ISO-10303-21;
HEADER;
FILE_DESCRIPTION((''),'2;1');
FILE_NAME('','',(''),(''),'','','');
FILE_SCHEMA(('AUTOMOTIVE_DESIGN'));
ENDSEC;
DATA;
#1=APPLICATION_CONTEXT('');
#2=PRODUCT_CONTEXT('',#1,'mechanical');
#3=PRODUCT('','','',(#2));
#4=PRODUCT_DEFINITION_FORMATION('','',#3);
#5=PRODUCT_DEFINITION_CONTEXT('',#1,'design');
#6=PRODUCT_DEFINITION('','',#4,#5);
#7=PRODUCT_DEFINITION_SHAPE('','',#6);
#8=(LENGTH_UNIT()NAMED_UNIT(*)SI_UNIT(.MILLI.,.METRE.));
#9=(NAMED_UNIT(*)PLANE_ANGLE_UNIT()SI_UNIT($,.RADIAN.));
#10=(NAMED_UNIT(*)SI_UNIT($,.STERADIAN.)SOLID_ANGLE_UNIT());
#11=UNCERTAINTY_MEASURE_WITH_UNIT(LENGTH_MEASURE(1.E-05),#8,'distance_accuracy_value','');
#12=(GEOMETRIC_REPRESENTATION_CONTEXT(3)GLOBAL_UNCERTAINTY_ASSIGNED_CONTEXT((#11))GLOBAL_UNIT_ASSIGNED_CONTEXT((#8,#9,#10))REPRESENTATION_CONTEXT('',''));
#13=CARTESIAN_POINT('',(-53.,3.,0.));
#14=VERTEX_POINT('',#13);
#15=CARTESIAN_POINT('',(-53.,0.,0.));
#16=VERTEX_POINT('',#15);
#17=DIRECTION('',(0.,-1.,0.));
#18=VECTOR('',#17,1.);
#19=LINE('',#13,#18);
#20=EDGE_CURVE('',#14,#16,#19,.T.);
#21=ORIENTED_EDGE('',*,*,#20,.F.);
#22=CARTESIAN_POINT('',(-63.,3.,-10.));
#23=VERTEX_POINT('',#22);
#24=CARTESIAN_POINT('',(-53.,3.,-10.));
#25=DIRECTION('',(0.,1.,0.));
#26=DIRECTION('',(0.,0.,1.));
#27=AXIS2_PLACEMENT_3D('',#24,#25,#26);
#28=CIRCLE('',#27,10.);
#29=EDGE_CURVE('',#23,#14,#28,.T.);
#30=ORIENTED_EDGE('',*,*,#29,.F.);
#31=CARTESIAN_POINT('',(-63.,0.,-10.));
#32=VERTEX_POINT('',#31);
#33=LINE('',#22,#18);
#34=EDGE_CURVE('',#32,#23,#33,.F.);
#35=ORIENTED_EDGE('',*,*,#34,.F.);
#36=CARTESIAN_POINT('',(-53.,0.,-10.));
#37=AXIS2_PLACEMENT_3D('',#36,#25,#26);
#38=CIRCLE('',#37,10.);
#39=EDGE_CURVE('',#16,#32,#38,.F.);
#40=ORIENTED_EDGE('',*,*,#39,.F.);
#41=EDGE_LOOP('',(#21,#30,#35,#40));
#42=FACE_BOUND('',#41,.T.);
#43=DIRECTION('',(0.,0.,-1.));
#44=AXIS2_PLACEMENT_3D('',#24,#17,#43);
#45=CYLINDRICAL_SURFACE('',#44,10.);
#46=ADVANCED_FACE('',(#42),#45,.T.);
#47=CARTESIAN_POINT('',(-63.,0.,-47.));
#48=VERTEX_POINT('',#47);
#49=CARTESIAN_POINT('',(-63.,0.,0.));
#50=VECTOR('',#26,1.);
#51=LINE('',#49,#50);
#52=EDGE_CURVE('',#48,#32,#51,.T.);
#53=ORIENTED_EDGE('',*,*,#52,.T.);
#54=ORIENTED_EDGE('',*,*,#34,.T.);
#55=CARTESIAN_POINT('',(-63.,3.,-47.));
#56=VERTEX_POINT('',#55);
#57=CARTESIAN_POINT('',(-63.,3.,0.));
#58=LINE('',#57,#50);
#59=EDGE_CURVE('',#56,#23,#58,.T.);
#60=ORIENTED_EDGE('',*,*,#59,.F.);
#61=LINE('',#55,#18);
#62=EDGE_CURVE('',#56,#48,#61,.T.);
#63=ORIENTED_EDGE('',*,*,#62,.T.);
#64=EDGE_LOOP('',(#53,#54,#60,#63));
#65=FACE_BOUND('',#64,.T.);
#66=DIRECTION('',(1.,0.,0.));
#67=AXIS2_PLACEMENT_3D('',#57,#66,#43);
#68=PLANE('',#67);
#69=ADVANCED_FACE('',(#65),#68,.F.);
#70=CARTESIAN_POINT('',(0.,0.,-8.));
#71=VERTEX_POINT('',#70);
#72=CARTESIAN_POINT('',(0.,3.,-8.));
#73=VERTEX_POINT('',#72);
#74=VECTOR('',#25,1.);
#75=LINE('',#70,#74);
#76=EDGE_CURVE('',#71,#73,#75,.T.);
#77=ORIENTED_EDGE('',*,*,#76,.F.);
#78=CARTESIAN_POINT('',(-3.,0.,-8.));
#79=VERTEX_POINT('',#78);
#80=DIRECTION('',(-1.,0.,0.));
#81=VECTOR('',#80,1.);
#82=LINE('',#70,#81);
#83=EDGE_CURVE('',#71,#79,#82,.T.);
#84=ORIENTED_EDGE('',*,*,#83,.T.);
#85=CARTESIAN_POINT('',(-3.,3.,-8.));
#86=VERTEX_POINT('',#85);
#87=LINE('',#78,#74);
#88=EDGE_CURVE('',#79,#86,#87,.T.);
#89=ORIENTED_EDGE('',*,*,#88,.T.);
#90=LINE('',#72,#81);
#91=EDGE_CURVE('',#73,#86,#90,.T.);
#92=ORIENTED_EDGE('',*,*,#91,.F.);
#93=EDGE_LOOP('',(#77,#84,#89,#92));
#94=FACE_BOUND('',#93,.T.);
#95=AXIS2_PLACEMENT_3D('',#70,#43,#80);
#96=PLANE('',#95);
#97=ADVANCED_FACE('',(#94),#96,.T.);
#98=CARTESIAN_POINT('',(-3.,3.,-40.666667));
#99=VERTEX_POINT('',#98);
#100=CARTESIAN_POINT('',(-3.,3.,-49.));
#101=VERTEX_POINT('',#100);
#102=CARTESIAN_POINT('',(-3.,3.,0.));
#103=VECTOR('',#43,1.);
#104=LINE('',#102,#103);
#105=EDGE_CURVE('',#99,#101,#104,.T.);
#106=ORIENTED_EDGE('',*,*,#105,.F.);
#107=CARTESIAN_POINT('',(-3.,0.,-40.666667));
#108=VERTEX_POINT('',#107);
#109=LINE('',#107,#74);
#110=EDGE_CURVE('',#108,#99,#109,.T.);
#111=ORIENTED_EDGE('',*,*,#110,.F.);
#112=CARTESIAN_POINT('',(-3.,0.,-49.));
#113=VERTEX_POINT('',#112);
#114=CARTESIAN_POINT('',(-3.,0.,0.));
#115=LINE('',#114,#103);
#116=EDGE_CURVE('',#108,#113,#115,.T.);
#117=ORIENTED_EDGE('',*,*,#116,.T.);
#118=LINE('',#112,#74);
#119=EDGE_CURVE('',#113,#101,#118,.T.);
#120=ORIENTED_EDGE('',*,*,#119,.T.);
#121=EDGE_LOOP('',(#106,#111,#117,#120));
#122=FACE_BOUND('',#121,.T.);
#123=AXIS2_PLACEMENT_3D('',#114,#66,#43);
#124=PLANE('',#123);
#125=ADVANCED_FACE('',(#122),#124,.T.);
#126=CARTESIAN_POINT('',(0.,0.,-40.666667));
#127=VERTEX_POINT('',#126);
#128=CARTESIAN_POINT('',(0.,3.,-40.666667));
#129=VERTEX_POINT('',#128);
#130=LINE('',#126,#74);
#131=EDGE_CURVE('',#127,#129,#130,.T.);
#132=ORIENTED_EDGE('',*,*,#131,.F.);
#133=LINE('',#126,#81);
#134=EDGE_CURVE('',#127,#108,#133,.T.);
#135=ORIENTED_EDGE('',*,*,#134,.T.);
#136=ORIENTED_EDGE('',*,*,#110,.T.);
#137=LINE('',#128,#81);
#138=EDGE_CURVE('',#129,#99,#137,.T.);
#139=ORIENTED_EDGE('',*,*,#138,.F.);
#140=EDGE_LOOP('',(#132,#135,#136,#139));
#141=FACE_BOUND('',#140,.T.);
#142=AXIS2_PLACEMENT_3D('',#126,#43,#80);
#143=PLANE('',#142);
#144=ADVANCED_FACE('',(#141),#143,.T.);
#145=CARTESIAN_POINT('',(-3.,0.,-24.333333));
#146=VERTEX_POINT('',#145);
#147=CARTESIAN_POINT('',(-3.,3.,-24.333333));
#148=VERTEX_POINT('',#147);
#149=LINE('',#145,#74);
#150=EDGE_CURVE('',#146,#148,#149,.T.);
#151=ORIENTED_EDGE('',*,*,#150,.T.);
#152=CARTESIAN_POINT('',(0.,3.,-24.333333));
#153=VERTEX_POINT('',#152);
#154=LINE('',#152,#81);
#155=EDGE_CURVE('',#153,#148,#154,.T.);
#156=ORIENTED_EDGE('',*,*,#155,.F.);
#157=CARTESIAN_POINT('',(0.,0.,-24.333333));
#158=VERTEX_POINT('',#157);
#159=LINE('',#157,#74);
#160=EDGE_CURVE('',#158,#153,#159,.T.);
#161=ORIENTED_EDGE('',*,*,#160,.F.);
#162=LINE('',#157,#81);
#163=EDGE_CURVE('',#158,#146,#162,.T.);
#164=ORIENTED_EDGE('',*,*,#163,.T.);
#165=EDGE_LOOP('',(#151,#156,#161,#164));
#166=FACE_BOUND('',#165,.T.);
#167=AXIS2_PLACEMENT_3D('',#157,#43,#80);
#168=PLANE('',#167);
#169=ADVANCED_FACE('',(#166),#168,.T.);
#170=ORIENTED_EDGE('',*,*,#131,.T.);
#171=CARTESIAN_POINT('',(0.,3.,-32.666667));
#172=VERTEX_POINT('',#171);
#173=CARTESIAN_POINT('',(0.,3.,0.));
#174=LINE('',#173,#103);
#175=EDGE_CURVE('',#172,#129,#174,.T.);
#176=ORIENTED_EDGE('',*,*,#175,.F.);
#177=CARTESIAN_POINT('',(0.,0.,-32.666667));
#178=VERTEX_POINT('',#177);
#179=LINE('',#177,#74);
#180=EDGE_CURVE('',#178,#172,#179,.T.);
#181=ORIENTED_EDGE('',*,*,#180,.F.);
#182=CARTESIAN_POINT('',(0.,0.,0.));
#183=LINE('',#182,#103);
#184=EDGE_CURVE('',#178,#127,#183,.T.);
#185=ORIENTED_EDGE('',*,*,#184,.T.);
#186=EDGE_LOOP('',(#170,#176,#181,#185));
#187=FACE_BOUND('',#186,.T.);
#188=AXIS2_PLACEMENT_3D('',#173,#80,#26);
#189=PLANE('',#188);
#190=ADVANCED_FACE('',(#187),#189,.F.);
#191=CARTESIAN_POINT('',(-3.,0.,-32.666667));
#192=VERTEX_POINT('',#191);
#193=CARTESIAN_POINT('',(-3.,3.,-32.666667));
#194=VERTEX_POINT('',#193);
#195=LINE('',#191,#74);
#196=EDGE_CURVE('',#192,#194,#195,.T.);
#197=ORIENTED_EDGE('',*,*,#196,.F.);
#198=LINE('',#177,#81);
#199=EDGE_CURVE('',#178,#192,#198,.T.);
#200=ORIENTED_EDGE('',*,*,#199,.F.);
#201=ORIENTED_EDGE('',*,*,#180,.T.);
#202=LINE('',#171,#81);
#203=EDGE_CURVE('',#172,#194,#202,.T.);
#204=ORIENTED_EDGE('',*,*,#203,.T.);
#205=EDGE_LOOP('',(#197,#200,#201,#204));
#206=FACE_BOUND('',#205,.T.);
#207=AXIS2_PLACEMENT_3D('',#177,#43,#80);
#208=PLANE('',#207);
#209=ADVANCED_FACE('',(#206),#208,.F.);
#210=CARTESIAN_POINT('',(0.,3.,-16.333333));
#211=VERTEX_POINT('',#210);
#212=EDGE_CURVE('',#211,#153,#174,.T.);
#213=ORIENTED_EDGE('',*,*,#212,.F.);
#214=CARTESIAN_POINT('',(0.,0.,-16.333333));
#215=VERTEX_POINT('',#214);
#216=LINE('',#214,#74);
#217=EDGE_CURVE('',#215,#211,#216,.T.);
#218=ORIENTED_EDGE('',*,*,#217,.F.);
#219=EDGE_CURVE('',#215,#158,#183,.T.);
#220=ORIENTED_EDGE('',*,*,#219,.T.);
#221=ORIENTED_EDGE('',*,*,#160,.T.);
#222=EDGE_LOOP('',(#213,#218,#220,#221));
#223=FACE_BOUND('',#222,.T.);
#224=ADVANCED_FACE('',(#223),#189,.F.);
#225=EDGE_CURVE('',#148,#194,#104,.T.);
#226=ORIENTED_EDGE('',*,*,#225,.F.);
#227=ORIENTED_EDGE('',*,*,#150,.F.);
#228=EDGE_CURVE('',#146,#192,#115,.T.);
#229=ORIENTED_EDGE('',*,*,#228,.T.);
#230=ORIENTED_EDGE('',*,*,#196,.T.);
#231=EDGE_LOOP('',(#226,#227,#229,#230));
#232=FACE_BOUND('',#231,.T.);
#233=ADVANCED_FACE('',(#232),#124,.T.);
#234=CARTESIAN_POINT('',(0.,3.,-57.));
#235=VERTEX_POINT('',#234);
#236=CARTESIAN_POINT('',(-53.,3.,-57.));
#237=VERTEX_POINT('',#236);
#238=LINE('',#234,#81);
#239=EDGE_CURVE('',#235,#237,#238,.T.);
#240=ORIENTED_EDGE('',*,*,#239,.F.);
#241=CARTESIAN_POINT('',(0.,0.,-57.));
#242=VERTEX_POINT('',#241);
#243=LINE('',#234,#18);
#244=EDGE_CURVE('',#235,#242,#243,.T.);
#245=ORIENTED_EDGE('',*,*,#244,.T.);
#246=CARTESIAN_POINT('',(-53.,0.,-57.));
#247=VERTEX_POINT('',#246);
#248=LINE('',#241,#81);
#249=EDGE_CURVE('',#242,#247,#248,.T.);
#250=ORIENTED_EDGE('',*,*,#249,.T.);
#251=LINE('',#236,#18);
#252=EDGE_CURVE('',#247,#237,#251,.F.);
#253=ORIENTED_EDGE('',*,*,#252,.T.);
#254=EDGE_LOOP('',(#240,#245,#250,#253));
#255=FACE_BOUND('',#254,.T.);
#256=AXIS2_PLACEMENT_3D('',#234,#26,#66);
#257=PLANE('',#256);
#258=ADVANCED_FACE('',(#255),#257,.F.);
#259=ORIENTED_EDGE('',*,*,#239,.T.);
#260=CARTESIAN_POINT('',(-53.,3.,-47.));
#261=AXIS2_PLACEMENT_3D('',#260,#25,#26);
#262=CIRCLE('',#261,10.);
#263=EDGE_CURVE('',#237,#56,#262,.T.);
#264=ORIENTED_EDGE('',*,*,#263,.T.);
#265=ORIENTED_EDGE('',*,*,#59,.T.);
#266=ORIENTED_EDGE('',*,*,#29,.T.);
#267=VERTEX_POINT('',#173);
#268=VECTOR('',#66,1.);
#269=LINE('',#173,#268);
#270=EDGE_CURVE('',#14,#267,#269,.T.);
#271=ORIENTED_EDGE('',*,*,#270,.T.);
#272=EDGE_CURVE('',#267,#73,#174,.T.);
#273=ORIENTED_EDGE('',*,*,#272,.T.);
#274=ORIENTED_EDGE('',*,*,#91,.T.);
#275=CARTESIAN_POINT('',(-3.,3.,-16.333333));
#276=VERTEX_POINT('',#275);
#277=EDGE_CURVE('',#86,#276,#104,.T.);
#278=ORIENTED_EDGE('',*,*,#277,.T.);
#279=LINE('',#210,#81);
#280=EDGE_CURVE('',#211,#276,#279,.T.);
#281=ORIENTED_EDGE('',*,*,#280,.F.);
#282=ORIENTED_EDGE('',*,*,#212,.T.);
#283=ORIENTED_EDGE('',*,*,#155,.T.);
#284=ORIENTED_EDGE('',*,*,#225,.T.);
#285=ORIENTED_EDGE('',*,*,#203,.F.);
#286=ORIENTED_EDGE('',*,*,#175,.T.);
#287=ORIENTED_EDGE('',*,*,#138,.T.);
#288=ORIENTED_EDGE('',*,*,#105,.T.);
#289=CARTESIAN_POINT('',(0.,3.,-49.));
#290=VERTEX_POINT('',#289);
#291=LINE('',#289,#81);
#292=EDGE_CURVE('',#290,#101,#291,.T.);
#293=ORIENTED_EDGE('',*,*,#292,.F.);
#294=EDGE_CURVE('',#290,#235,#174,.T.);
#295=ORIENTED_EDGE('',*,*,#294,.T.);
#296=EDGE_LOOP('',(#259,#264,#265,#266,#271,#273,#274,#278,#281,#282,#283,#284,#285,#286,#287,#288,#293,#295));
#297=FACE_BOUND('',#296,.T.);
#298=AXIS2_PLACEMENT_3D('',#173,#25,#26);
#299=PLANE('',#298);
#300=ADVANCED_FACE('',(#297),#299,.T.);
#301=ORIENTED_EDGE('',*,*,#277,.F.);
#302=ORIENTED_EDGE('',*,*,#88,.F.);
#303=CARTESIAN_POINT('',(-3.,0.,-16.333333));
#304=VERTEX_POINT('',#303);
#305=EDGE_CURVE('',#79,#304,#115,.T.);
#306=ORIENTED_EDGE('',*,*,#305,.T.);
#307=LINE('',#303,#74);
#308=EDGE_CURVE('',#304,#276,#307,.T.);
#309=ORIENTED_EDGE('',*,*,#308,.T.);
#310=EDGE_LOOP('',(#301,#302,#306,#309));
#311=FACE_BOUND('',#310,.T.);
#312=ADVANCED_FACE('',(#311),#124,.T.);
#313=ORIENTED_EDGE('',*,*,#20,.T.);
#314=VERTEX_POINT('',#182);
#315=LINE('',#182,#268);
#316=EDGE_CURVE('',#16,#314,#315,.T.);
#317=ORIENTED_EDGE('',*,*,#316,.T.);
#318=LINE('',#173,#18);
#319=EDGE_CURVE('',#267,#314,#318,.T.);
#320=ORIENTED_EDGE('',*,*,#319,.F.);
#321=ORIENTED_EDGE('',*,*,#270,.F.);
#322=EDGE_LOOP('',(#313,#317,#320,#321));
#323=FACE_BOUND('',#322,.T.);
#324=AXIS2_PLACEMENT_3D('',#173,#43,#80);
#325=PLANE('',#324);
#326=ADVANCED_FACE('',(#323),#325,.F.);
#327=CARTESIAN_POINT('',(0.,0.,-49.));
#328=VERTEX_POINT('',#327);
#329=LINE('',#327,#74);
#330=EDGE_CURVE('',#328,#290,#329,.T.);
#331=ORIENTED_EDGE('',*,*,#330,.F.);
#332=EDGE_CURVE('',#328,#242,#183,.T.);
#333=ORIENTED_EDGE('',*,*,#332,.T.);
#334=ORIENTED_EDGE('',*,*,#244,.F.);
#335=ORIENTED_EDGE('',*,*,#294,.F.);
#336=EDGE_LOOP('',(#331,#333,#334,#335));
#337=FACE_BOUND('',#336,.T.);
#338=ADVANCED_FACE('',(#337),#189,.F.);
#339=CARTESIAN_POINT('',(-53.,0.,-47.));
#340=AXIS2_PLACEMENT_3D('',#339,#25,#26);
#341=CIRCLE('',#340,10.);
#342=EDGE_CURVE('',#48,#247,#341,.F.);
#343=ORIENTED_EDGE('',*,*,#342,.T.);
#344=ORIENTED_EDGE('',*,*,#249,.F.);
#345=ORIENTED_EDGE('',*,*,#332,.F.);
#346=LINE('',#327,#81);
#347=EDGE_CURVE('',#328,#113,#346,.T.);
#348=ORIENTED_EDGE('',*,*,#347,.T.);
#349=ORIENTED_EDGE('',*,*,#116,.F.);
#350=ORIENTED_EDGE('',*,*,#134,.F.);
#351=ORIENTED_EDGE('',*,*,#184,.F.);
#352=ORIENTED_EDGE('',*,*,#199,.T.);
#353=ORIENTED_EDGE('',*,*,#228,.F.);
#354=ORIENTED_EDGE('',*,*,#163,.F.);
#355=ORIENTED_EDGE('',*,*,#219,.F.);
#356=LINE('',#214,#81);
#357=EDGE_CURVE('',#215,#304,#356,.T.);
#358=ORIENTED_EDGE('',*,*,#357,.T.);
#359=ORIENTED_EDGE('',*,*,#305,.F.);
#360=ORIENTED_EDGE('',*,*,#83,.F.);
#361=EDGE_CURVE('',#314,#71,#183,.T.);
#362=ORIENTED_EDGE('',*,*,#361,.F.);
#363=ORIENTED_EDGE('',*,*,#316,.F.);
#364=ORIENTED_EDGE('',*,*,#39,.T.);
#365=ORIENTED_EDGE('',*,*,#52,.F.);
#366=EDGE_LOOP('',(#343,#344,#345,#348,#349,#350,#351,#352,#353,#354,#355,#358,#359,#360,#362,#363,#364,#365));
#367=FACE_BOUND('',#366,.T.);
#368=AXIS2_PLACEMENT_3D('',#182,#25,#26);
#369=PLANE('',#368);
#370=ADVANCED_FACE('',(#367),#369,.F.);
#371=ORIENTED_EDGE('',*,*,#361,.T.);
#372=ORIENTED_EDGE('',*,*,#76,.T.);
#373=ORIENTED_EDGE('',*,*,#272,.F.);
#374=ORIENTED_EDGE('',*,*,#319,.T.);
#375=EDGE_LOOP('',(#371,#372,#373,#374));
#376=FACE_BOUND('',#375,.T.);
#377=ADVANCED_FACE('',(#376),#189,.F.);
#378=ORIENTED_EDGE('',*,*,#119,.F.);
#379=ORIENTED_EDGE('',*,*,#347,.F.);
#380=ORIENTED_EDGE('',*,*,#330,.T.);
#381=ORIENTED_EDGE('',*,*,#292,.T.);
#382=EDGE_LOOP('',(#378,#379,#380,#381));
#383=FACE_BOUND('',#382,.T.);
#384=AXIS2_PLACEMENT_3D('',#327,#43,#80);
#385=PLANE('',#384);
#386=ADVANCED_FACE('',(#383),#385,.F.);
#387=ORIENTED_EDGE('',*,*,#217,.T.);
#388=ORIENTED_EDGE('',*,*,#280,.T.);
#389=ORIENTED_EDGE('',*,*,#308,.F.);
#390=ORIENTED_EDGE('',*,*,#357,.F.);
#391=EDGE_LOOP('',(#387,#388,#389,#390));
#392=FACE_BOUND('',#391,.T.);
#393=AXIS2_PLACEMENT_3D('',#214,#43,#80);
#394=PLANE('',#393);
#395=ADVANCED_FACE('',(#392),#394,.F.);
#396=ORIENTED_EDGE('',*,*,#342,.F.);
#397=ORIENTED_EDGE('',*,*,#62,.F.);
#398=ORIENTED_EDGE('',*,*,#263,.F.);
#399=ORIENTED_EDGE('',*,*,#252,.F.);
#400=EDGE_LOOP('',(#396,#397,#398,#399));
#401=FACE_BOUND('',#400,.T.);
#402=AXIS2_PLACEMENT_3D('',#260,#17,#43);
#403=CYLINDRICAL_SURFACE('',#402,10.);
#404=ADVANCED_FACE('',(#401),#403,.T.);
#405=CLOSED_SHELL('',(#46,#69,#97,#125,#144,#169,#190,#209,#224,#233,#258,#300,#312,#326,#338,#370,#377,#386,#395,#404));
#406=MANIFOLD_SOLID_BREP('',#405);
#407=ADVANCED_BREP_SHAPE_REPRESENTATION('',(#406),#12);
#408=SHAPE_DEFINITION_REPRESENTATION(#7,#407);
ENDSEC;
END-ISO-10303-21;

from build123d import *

# Parameters (mm, degrees)
ESQUISSE1_W             = 63
ESQUISSE1_H             = 57
BOSS_EXTRU_1_DEPTH      = 3
ESQUISSE2_W             = 3
ESQUISSE2_H             = 8.333333333
ESQUISSE2_H_2           = 8.333333334
ENL_V_MAT_EXTRU_1_DEPTH = 3
CONG_1_R                = 10


with BuildPart() as part:
    # Esquisse1 → Boss.-Extru.1 (new body)
    with BuildSketch(Plane(origin=(0, 0, 0), x_dir=(1, 0, 0), z_dir=(0, 1, 0))):
        with Locations((-31.5, 28.5)):
            Rectangle(ESQUISSE1_W, ESQUISSE1_H)
    extrude(amount=BOSS_EXTRU_1_DEPTH)

    # Esquisse2 → Enlèv. mat.-Extru.1 (cut)
    with BuildSketch(Plane(origin=(0, 3, 0), x_dir=(1, 0, 0), z_dir=(0, 1, 0))):
        with Locations((-1.5, 12.166666667)):
            Rectangle(ESQUISSE2_W, ESQUISSE2_H)
        with Locations((-1.5, 28.5)):
            Rectangle(ESQUISSE2_W, ESQUISSE2_H_2)
        with Locations((-1.5, 44.833333334)):
            Rectangle(ESQUISSE2_W, ESQUISSE2_H)
    extrude(amount=-ENL_V_MAT_EXTRU_1_DEPTH, mode=Mode.SUBTRACT)

    # Congé1
    cong_1_edges = [part.edges().sort_by_distance(p)[0] for p in [
        (-63, 1.5, 0),
        (-63, 1.5, -57),
    ]]
    fillet(cong_1_edges, radius=CONG_1_R)


solid = part.part
